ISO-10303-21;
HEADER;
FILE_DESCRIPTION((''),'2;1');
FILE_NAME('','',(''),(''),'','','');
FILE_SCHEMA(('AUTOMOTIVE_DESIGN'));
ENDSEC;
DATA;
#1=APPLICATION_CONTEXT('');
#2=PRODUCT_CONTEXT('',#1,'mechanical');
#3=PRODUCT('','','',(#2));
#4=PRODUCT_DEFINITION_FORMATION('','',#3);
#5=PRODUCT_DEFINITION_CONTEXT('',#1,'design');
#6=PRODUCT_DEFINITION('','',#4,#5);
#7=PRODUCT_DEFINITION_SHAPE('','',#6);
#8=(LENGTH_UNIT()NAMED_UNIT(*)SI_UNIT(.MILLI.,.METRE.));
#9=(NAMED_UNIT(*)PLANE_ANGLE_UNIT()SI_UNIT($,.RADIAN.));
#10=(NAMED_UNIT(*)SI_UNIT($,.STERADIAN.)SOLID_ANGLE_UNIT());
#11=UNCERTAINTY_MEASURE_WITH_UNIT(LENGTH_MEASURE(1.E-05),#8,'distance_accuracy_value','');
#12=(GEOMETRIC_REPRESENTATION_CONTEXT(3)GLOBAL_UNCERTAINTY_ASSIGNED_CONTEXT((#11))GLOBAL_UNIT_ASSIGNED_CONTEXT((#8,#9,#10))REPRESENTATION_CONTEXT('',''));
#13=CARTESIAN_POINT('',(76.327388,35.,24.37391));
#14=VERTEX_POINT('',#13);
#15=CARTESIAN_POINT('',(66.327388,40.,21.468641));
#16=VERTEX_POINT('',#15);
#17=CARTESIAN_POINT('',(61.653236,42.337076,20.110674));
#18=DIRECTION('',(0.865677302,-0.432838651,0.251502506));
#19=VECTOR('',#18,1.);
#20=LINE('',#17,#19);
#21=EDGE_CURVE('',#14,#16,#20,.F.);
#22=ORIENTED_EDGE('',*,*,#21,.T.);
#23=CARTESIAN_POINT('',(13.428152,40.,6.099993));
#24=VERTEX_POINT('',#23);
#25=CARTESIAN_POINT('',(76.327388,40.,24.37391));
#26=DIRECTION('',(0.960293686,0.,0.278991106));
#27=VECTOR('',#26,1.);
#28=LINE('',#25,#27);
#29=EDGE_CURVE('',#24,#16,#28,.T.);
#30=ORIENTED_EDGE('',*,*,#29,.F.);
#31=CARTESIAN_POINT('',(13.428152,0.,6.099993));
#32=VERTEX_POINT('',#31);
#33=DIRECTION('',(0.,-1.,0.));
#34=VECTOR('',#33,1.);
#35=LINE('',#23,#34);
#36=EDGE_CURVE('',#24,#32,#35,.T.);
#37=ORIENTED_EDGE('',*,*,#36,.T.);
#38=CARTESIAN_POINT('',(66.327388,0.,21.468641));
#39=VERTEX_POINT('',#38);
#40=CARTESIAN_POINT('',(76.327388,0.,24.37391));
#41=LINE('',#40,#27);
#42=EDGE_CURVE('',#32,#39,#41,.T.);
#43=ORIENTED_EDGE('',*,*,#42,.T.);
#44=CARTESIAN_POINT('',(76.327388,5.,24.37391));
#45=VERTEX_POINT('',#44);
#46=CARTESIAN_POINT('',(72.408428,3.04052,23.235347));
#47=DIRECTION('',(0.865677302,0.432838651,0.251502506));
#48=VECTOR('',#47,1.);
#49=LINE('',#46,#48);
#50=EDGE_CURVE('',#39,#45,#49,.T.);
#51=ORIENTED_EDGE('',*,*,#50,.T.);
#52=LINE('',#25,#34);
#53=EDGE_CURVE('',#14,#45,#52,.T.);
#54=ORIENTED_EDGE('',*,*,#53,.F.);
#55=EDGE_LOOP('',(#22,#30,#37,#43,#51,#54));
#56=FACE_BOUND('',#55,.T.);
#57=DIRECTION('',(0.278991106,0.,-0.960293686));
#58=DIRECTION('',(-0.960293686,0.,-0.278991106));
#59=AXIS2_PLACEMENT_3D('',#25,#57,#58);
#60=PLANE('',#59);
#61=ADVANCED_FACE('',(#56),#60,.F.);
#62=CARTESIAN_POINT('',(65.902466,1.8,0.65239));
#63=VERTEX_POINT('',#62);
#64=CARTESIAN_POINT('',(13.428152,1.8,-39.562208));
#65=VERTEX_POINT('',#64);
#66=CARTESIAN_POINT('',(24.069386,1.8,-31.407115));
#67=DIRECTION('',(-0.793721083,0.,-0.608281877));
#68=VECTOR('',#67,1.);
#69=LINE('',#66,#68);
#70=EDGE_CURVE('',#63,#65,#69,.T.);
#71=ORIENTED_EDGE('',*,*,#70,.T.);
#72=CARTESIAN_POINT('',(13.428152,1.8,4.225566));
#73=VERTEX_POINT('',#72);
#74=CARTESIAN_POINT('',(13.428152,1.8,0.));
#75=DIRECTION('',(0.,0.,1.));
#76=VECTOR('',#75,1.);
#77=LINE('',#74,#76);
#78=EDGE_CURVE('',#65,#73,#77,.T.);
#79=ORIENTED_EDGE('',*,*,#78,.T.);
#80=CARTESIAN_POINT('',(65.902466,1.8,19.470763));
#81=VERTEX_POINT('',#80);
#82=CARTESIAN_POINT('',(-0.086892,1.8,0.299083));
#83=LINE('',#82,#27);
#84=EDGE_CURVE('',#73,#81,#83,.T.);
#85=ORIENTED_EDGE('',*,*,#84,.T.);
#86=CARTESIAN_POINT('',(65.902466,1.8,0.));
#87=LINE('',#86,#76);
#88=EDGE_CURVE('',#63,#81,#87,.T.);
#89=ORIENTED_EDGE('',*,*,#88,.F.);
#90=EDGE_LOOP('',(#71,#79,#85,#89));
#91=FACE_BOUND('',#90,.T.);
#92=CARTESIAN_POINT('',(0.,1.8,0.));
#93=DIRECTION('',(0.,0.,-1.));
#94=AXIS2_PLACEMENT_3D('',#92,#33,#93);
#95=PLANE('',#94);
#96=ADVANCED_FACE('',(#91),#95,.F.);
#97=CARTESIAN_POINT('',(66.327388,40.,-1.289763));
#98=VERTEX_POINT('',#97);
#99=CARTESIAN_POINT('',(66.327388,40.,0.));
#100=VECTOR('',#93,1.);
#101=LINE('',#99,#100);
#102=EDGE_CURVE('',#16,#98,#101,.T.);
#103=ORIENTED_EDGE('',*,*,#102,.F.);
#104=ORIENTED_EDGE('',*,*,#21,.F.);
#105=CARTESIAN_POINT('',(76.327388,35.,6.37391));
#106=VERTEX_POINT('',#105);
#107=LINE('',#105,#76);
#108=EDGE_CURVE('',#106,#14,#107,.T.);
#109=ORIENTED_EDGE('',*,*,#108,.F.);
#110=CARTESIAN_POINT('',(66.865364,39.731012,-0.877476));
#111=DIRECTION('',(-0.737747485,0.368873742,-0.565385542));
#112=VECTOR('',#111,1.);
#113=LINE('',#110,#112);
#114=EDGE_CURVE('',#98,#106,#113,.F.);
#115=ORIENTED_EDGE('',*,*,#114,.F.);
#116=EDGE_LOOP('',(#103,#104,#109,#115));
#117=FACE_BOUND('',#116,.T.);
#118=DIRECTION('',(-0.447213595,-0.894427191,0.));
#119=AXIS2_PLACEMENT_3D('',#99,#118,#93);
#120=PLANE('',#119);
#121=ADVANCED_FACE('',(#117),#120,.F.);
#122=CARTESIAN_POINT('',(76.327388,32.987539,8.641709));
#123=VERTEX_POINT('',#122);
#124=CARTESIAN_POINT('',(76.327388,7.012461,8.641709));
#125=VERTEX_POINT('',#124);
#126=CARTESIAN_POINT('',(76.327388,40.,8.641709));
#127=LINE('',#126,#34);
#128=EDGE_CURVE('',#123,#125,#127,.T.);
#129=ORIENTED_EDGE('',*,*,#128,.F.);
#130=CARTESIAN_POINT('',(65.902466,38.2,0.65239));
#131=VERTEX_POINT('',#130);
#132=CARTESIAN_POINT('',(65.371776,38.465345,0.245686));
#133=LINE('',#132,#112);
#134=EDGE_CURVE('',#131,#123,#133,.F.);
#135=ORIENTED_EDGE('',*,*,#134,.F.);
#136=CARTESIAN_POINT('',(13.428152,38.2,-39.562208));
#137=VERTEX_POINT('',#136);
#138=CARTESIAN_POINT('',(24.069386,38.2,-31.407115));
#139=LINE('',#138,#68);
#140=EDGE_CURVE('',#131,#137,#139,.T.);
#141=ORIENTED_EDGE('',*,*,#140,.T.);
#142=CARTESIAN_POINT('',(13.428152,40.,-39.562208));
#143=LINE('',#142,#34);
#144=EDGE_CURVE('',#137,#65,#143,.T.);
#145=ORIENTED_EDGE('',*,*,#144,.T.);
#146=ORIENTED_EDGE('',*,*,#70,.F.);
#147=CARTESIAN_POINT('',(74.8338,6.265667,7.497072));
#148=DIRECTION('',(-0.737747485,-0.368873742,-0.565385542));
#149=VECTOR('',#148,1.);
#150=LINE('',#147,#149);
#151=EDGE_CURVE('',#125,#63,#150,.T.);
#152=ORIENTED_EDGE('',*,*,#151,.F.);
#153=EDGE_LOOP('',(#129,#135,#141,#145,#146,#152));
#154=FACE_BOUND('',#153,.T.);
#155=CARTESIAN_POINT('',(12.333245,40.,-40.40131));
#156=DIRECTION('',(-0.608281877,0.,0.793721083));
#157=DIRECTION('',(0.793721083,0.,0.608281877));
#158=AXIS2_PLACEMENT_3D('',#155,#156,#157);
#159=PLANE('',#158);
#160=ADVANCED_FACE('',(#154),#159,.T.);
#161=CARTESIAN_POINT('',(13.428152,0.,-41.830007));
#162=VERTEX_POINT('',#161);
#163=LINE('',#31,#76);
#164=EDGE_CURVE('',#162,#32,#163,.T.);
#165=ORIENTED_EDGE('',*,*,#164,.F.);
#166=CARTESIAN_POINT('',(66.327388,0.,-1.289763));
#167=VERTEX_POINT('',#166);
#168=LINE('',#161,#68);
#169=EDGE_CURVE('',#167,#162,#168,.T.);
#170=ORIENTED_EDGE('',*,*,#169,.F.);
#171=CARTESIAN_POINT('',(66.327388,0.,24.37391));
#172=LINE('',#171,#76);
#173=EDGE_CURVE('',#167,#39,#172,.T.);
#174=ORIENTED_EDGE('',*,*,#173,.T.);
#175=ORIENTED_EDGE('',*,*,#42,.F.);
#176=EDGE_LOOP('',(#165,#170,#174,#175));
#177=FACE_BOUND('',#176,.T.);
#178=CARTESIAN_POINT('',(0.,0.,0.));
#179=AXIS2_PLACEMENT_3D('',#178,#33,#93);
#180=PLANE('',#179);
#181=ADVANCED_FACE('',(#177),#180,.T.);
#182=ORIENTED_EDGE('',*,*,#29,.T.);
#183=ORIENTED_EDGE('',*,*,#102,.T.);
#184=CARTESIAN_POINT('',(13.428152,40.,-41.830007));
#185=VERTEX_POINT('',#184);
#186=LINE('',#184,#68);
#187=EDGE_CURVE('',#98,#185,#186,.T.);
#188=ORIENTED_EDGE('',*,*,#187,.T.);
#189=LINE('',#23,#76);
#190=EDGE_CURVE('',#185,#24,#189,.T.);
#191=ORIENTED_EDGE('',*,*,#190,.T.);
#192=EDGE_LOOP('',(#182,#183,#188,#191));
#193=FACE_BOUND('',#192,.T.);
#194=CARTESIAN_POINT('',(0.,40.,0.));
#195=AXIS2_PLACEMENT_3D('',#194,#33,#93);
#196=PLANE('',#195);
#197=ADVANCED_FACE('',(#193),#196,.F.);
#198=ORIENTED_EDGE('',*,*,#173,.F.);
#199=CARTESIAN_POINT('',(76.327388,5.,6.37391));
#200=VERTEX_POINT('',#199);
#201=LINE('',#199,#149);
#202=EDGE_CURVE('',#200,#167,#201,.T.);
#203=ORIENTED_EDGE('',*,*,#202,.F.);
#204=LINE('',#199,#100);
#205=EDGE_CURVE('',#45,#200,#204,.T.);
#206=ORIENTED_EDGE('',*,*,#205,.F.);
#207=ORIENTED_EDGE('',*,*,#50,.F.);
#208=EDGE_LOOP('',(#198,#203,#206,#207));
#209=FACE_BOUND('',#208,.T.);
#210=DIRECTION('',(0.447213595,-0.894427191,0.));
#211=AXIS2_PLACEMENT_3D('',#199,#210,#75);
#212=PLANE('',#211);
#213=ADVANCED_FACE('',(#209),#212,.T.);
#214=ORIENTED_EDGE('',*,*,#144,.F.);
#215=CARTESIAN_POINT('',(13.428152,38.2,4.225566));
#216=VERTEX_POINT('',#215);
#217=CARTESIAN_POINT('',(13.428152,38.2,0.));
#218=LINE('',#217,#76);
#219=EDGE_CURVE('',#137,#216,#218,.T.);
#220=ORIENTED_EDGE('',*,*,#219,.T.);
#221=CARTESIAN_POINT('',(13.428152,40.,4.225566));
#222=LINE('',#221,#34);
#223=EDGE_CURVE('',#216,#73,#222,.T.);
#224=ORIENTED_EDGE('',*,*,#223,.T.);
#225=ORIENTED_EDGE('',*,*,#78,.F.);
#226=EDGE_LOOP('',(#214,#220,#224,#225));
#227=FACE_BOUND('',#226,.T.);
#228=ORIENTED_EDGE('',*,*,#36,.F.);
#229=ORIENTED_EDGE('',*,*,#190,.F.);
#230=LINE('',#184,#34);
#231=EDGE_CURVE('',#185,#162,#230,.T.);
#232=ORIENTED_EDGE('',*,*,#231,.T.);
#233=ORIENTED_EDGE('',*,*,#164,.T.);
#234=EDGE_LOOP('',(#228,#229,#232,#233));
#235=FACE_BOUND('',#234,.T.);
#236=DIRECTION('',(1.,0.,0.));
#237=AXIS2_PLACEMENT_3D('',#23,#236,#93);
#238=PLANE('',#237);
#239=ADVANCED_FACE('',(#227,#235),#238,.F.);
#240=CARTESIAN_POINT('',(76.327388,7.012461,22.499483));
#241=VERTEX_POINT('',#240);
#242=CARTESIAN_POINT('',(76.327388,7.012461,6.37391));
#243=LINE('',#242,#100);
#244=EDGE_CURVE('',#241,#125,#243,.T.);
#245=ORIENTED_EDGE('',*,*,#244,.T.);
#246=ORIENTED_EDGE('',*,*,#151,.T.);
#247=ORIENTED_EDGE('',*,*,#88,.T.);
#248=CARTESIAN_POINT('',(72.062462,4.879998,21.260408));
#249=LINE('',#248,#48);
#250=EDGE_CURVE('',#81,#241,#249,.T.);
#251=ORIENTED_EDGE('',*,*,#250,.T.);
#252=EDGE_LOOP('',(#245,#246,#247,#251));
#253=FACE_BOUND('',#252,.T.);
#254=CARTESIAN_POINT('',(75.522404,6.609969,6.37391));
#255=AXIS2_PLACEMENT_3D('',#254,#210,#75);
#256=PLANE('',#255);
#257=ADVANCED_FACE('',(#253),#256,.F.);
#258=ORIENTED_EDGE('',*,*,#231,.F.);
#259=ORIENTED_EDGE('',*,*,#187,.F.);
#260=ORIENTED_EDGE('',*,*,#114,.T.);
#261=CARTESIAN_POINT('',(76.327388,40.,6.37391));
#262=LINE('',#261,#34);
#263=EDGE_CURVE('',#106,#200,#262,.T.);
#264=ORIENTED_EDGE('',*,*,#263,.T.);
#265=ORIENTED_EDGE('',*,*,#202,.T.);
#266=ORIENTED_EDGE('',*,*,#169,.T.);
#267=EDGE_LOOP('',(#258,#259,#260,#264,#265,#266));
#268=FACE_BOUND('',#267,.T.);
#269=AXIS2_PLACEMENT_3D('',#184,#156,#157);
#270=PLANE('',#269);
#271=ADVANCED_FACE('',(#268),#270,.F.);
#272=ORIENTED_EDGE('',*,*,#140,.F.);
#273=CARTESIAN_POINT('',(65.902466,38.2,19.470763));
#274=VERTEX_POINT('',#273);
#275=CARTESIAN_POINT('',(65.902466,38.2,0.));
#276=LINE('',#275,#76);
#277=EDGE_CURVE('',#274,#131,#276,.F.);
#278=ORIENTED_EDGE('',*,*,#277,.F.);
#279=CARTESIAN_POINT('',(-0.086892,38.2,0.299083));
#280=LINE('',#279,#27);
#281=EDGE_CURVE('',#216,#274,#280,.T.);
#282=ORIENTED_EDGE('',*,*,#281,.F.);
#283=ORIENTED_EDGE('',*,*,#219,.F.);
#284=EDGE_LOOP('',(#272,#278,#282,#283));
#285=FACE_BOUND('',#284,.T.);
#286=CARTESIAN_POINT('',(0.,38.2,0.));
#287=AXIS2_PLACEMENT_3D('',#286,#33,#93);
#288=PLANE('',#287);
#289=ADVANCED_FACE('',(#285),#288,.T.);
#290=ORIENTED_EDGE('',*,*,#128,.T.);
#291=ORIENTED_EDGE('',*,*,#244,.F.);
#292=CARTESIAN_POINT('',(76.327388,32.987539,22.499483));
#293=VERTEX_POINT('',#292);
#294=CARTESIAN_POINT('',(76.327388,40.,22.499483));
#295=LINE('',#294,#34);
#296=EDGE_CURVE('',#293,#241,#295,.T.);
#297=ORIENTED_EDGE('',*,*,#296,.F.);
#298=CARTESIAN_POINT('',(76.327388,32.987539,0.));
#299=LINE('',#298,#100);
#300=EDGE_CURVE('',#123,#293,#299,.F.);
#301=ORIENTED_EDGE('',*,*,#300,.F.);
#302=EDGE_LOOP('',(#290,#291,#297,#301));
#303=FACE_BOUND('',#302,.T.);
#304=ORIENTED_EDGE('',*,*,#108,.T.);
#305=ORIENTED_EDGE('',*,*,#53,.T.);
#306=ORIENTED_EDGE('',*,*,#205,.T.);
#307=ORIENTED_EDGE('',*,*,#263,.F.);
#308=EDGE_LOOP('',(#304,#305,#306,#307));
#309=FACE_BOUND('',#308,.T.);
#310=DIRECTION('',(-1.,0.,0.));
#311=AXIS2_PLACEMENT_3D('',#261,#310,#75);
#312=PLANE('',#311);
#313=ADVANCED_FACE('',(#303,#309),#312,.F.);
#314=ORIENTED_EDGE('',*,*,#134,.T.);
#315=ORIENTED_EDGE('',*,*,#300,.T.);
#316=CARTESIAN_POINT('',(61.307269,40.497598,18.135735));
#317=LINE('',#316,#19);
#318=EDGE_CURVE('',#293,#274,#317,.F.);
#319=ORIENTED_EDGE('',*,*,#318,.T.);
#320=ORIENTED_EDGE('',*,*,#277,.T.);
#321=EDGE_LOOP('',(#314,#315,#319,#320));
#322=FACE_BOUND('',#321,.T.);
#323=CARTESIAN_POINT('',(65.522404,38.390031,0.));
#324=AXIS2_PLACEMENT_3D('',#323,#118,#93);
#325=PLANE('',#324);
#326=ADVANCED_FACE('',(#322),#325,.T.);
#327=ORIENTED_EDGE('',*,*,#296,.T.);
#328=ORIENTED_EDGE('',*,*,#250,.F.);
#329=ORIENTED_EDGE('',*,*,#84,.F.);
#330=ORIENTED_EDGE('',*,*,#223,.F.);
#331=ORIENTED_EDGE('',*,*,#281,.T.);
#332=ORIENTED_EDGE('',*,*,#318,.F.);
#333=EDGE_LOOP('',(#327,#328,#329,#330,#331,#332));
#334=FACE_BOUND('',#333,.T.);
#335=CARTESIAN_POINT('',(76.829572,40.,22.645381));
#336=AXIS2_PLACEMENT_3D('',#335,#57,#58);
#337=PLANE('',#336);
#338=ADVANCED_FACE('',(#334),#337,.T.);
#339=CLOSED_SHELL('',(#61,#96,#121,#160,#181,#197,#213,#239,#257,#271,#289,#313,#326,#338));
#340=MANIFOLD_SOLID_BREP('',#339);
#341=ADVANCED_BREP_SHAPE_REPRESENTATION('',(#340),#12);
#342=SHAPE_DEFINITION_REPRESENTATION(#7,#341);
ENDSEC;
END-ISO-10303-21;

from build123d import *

# Parameters (mm, degrees)
BOSS_EXTRUDE1_DEPTH = 40
CHAMFER1_SIZE       = 5
CHAMFER1_SIZE2      = 10
CHAMFER2_SIZE       = 10
CHAMFER2_SIZE2      = 5
SHELL1_T            = -1.8


with BuildPart() as part:
    # Sketch2 → Boss-Extrude1 (new body)
    with BuildSketch(Plane(origin=(0, 0, 0), x_dir=(1, 0, 0), z_dir=(0, 1, 0))):
        Polygon((13.428152071, -6.099992503), (13.428152071, 41.830007497), (76.327388482, -6.373909949), (76.327388482, -24.373909949), align=None)
    extrude(amount=BOSS_EXTRUDE1_DEPTH)

    # Chamfer1
    chamfer1_edges = [part.edges().sort_by_distance(p)[0] for p in [
        (76.327388482, 40, 15.373909949),
    ]]
    chamfer1_side = [part.faces().sort_by_distance(p)[0] for p in [
        (76.327388482, 20, 15.373909949),
    ]]
    chamfer(chamfer1_edges, length=CHAMFER1_SIZE, length2=CHAMFER1_SIZE2, reference=chamfer1_side[0])

    # Chamfer2
    chamfer2_edges = [part.edges().sort_by_distance(p)[0] for p in [
        (76.327388482, 0, 15.373909949),
    ]]
    chamfer2_side = [part.faces().sort_by_distance(p)[0] for p in [
        (40.118747713, 0, -3.760440323),
    ]]
    chamfer(chamfer2_edges, length=CHAMFER2_SIZE, length2=CHAMFER2_SIZE2, reference=chamfer2_side[0])

    # Shell1
    shell1_openings = [part.faces().sort_by_distance(p)[0] for p in [
        (13.428152071, 20, -17.865007497),
        (76.327388482, 20, 15.373909949),
    ]]
    offset(amount=SHELL1_T, openings=shell1_openings, kind=Kind.INTERSECTION)


solid = part.part
